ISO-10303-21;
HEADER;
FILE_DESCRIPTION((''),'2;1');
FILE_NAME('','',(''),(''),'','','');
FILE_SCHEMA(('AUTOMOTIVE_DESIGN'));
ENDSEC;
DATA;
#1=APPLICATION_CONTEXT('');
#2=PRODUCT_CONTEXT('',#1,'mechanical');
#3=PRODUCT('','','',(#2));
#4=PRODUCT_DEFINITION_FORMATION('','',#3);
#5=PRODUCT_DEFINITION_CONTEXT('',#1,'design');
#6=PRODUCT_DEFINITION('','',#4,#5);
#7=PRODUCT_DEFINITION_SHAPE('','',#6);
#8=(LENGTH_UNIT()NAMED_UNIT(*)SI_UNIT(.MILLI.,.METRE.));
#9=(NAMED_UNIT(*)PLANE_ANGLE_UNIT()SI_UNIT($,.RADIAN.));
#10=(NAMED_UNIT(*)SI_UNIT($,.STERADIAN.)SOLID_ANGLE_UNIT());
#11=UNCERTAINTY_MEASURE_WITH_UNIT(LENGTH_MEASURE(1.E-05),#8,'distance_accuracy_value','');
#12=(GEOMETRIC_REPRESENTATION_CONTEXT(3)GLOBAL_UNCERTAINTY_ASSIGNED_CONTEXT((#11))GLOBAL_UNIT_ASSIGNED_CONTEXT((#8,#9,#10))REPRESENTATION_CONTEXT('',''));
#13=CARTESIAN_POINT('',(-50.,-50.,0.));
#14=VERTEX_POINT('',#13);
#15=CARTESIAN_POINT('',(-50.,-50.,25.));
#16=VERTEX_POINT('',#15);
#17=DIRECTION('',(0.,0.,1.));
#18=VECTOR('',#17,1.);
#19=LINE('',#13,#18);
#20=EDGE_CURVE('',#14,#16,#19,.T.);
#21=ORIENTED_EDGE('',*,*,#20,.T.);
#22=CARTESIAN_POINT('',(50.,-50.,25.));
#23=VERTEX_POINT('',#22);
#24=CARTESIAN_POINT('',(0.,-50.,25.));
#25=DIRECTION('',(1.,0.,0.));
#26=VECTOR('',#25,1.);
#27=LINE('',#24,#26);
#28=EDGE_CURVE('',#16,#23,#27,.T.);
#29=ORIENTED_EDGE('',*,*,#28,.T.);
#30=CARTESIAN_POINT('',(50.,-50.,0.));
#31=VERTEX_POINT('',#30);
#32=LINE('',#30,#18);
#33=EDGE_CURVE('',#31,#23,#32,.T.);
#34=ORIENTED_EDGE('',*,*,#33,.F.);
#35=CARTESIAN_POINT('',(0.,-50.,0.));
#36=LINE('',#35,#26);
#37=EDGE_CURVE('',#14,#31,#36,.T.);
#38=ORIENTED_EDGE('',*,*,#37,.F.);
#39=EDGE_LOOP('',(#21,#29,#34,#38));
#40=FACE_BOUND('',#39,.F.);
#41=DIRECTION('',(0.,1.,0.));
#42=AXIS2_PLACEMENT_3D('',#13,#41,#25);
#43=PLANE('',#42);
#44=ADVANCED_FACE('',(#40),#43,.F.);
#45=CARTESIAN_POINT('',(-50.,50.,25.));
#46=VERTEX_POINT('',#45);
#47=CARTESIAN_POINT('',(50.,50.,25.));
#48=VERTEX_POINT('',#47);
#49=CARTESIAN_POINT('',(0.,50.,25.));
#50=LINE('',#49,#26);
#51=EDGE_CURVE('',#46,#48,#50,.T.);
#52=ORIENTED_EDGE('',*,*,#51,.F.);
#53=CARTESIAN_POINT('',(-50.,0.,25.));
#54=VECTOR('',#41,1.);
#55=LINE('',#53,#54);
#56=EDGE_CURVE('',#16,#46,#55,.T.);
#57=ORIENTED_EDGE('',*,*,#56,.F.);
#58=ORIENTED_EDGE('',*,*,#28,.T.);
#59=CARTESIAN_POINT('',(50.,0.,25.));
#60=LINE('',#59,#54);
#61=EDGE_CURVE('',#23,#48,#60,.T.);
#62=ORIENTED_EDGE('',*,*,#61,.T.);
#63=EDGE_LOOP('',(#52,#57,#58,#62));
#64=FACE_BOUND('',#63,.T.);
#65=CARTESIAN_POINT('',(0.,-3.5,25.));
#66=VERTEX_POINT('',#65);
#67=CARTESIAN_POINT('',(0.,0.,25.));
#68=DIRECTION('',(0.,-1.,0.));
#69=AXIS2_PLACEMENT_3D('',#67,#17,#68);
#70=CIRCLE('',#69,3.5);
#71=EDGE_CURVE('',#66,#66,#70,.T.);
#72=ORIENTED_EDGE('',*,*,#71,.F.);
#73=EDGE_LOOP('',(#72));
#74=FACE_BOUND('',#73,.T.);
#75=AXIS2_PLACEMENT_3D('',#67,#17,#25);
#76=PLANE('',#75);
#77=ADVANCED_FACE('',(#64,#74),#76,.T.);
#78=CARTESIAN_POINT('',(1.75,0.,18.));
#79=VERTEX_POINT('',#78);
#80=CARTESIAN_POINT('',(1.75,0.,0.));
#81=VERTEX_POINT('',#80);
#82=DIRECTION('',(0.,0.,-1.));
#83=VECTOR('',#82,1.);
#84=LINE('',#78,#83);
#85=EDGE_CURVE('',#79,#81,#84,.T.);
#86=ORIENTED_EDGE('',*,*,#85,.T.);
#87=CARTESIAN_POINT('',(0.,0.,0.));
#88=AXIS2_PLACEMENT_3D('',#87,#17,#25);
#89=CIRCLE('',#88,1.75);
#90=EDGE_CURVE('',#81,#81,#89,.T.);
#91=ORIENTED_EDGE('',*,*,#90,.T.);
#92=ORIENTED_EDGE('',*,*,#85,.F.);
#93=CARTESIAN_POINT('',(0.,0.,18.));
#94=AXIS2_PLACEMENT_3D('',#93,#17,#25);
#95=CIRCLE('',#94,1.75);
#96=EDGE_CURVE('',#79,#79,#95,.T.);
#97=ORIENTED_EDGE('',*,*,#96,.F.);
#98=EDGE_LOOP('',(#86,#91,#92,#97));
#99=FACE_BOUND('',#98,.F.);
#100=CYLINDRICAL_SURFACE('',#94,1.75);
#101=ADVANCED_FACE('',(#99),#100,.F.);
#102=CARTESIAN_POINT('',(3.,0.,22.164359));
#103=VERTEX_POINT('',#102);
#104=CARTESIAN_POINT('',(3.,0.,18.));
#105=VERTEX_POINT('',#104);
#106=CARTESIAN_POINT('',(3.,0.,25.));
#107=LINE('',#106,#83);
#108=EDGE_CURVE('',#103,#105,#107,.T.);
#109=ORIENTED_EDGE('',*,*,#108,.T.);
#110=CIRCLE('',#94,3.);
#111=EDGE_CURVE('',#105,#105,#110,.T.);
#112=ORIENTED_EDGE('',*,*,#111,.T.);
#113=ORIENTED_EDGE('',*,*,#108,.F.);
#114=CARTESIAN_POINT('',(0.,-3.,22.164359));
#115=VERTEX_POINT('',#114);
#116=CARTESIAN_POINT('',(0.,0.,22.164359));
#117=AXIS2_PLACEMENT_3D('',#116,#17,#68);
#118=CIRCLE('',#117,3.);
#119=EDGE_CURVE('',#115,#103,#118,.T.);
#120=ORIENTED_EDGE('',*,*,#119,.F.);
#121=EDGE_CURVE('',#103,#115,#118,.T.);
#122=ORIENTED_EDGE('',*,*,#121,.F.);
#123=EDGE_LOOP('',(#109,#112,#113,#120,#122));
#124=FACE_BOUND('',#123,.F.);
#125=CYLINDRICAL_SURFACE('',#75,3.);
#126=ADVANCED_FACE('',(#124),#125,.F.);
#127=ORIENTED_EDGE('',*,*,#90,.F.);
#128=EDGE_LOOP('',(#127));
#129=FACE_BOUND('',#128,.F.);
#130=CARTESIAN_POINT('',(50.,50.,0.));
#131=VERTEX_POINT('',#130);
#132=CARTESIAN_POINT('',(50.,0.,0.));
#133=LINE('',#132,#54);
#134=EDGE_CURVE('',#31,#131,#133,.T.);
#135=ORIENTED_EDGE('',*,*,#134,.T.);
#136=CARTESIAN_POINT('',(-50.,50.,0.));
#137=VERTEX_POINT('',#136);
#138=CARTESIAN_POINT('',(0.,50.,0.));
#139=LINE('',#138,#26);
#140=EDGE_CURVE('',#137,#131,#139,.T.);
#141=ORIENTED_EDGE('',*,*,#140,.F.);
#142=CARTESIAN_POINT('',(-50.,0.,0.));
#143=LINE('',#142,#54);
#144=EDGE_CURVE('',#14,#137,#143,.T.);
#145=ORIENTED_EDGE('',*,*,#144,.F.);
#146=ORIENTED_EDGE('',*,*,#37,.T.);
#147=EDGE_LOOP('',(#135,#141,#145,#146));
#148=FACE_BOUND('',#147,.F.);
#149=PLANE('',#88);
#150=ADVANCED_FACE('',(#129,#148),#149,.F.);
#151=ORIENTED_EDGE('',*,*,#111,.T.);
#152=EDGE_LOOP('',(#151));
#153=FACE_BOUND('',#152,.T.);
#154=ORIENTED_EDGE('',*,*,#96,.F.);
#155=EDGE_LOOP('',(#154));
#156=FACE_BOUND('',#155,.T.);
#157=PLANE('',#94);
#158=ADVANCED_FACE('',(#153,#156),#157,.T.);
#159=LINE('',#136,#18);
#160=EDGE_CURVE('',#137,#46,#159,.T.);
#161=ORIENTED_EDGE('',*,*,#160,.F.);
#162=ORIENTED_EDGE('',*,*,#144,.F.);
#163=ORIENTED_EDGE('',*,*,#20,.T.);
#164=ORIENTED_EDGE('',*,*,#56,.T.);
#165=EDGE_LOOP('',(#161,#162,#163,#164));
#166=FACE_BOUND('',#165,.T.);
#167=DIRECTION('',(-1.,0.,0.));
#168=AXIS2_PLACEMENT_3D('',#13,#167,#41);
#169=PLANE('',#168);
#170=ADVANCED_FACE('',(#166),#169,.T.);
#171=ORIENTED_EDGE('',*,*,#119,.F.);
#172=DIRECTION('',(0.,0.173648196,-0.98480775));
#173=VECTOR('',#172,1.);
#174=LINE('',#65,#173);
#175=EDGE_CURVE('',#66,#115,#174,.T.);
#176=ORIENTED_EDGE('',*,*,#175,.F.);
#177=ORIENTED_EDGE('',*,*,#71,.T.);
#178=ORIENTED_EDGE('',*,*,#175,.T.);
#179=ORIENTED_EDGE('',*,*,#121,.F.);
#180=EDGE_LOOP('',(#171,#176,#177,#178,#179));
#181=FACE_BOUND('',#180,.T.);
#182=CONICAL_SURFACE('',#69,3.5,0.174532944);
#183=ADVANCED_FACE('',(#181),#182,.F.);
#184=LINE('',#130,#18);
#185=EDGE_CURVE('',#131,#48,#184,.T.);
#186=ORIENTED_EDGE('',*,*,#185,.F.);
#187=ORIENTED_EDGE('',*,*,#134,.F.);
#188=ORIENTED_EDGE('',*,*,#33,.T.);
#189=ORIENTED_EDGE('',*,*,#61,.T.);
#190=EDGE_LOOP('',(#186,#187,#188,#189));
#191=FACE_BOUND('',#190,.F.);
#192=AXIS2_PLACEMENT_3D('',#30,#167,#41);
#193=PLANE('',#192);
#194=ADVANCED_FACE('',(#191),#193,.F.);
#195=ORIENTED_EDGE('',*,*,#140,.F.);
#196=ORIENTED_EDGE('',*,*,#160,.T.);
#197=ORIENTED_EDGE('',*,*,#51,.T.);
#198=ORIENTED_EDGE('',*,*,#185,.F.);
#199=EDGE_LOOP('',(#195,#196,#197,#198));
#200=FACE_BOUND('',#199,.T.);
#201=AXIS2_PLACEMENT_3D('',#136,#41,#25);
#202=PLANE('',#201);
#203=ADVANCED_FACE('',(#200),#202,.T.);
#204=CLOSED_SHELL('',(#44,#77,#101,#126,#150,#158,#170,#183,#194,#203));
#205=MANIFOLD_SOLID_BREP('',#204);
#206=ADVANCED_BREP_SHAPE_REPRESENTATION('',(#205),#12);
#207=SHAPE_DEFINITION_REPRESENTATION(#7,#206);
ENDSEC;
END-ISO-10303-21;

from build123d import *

# Parameters (mm, degrees)
F0_W     = 100
F0_H     = 100
F1_DEPTH = 25
F2_R     = 3
F3_DEPTH = 7
F4_R     = 1.75
F5_DEPTH = 25


with BuildPart() as f1:
    # F0 (on Top) → F1 (new body)
    with BuildSketch(Plane.XY):
        Rectangle(F0_W, F0_H)
    extrude(amount=F1_DEPTH)

    # F2 (on face) → F3 (cut)
    with BuildSketch(Plane.XY.offset(25)):
        Circle(F2_R)
    extrude(amount=-F3_DEPTH, mode=Mode.SUBTRACT)

    # F4 (on face) → F5 (cut)
    with BuildSketch(Plane.XY.offset(18)):
        Circle(F4_R)
    extrude(amount=-F5_DEPTH, mode=Mode.SUBTRACT)

    # F6 (on Right) → F7 (revolve, cut)
    with BuildSketch(Plane.YZ):
        Polygon((0, 18), (0, 25), (-3.5, 25), (-2.265711, 18), align=None)
    revolve(axis=Axis((0, 0, 21.5), (0, 0, 1)), mode=Mode.SUBTRACT)


solid = f1.part
